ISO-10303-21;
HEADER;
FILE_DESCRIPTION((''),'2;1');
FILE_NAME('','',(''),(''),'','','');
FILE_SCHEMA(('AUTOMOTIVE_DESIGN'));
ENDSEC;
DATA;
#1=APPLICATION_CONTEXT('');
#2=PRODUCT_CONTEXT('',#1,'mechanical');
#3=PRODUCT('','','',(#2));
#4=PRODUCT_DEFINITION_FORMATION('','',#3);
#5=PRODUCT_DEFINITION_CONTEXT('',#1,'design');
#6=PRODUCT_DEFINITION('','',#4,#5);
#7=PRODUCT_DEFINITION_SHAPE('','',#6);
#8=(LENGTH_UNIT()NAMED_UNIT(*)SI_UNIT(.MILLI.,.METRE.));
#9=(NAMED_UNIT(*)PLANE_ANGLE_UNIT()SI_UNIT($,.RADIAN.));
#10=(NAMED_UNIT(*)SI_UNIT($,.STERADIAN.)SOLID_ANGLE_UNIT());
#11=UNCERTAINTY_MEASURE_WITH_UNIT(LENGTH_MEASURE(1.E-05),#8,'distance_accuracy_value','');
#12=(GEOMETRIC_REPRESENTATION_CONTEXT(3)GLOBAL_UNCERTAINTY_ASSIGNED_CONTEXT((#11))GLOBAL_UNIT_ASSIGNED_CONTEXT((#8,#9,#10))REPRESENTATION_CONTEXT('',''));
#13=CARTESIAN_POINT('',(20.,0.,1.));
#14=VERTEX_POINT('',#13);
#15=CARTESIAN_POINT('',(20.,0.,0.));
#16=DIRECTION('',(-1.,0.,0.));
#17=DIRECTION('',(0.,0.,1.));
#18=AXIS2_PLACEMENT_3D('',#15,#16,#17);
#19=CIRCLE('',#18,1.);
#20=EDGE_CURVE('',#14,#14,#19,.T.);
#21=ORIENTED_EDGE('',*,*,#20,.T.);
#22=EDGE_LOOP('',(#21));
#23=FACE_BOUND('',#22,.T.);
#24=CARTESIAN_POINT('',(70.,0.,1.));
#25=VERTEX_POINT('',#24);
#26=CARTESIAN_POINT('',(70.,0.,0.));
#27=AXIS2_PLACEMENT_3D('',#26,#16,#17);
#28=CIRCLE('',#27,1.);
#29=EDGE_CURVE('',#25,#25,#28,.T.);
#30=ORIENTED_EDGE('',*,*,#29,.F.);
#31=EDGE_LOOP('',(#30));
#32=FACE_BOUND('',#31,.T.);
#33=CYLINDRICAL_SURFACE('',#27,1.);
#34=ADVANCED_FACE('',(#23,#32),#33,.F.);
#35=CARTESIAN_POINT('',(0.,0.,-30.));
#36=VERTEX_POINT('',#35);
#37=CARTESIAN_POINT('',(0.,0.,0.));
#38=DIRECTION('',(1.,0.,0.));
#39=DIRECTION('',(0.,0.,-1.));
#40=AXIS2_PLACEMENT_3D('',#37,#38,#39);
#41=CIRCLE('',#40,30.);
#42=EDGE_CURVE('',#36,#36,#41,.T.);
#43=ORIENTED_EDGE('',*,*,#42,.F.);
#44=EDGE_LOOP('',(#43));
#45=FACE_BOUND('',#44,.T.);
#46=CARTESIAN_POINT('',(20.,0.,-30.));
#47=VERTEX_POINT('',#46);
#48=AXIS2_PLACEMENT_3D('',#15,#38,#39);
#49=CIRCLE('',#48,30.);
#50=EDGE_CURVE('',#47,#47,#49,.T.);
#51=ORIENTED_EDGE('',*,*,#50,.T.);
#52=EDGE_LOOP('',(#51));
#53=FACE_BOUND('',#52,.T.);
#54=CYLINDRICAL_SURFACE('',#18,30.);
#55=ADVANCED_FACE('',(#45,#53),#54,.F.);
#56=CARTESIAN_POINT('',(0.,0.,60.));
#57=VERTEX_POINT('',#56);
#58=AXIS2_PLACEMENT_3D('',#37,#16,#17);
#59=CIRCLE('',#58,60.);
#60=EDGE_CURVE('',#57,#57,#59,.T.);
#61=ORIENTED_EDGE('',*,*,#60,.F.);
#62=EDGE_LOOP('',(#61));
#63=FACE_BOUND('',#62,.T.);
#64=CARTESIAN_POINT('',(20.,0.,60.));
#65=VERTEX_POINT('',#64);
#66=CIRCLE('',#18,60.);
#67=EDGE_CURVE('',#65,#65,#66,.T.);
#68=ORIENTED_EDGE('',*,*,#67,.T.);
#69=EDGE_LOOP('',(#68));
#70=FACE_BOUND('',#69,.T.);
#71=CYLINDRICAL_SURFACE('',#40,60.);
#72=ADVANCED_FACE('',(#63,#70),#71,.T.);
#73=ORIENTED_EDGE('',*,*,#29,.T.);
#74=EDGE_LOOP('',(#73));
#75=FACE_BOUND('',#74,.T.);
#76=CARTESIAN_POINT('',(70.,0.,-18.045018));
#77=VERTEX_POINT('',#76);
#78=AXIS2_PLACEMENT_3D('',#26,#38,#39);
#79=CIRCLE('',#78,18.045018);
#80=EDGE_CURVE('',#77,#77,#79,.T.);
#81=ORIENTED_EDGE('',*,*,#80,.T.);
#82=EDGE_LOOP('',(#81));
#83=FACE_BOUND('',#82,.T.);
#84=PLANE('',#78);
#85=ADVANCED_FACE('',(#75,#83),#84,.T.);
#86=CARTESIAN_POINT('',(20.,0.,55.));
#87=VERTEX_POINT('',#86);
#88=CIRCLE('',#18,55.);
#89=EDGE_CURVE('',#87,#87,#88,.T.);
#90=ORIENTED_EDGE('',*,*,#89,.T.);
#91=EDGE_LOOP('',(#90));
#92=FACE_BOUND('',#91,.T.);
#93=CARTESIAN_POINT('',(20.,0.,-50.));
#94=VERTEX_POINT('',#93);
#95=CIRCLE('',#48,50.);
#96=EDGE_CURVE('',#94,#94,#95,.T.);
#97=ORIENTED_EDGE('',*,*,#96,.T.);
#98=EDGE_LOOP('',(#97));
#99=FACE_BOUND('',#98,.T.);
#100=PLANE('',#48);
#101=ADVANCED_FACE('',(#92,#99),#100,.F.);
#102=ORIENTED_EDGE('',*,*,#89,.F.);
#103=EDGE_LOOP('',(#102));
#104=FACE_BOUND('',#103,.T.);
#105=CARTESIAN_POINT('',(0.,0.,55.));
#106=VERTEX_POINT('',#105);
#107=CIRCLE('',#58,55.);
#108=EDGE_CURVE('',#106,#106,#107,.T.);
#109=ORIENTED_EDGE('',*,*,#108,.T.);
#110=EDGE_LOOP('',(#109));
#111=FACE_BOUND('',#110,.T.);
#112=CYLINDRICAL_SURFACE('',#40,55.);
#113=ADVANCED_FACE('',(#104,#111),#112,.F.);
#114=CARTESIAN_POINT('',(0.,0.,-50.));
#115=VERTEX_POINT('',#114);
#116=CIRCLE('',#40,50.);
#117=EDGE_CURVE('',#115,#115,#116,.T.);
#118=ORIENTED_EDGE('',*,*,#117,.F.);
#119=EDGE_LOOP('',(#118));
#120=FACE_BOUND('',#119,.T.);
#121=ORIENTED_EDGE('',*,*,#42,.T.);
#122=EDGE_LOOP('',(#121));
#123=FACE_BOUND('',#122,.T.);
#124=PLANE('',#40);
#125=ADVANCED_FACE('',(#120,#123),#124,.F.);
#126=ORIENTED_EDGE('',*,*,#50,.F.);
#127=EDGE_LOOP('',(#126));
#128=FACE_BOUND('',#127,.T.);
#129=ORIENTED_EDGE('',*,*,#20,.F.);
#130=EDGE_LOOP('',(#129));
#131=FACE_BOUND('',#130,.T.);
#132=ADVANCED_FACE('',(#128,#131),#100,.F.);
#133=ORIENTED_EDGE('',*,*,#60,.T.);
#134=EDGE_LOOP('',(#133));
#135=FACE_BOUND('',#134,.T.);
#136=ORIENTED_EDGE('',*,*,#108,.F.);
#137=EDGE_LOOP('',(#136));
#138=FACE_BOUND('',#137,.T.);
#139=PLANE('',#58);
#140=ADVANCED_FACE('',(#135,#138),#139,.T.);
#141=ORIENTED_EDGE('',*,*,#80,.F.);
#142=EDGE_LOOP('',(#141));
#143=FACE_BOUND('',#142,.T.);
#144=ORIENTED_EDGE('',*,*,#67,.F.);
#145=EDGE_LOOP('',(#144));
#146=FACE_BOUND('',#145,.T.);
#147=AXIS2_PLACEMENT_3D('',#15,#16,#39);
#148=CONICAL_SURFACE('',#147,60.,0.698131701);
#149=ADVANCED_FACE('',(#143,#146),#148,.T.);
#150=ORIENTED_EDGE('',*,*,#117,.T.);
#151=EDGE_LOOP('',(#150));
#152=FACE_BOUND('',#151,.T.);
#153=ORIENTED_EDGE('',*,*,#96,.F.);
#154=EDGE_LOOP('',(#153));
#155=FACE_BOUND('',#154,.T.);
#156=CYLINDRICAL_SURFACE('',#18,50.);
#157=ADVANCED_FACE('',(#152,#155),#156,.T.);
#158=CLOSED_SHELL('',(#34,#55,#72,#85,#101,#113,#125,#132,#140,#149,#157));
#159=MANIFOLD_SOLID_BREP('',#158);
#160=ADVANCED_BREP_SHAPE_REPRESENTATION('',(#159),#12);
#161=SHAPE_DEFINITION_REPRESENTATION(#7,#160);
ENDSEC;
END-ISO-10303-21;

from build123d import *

# Parameters (mm, degrees)
SKETCH1_R           = 50
SKETCH1_R_2         = 30
BOSS_EXTRUDE1_DEPTH = 20
SKETCH2_R           = 60
BOSS_EXTRUDE4_DEPTH = 50
BOSS_EXTRUDE4_TAPER = 40
SKETCH5_R           = 60
SKETCH5_R_2         = 55
BOSS_EXTRUDE5_DEPTH = 20
SKETCH6_R           = 1
CUT_EXTRUDE1_DEPTH  = 51.0000001


with BuildPart() as part:
    # Sketch1 → Boss-Extrude1 (new body)
    with BuildSketch(Plane(origin=(0, 0, 0), x_dir=(0, 0, -1), z_dir=(1, 0, 0))):
        Circle(SKETCH1_R)
        Circle(SKETCH1_R_2, mode=Mode.SUBTRACT)
    extrude(amount=BOSS_EXTRUDE1_DEPTH)

    # Sketch2 → Boss-Extrude4 (add)
    with BuildSketch(Plane(origin=(20, 0, 0), x_dir=(0, 0, -1), z_dir=(1, 0, 0))):
        Circle(SKETCH2_R)
    extrude(amount=BOSS_EXTRUDE4_DEPTH, taper=BOSS_EXTRUDE4_TAPER)

    # Sketch5 → Boss-Extrude5 (add)
    with BuildSketch(Plane.ZY.offset(-20)):
        Circle(SKETCH5_R)
        Circle(SKETCH5_R_2, mode=Mode.SUBTRACT)
    extrude(amount=BOSS_EXTRUDE5_DEPTH)

    # Sketch6 → Cut-Extrude1 (cut, through all)
    with BuildSketch(Plane.ZY.offset(-20)):
        Circle(SKETCH6_R)
    extrude(amount=-CUT_EXTRUDE1_DEPTH, mode=Mode.SUBTRACT)


solid = part.part
